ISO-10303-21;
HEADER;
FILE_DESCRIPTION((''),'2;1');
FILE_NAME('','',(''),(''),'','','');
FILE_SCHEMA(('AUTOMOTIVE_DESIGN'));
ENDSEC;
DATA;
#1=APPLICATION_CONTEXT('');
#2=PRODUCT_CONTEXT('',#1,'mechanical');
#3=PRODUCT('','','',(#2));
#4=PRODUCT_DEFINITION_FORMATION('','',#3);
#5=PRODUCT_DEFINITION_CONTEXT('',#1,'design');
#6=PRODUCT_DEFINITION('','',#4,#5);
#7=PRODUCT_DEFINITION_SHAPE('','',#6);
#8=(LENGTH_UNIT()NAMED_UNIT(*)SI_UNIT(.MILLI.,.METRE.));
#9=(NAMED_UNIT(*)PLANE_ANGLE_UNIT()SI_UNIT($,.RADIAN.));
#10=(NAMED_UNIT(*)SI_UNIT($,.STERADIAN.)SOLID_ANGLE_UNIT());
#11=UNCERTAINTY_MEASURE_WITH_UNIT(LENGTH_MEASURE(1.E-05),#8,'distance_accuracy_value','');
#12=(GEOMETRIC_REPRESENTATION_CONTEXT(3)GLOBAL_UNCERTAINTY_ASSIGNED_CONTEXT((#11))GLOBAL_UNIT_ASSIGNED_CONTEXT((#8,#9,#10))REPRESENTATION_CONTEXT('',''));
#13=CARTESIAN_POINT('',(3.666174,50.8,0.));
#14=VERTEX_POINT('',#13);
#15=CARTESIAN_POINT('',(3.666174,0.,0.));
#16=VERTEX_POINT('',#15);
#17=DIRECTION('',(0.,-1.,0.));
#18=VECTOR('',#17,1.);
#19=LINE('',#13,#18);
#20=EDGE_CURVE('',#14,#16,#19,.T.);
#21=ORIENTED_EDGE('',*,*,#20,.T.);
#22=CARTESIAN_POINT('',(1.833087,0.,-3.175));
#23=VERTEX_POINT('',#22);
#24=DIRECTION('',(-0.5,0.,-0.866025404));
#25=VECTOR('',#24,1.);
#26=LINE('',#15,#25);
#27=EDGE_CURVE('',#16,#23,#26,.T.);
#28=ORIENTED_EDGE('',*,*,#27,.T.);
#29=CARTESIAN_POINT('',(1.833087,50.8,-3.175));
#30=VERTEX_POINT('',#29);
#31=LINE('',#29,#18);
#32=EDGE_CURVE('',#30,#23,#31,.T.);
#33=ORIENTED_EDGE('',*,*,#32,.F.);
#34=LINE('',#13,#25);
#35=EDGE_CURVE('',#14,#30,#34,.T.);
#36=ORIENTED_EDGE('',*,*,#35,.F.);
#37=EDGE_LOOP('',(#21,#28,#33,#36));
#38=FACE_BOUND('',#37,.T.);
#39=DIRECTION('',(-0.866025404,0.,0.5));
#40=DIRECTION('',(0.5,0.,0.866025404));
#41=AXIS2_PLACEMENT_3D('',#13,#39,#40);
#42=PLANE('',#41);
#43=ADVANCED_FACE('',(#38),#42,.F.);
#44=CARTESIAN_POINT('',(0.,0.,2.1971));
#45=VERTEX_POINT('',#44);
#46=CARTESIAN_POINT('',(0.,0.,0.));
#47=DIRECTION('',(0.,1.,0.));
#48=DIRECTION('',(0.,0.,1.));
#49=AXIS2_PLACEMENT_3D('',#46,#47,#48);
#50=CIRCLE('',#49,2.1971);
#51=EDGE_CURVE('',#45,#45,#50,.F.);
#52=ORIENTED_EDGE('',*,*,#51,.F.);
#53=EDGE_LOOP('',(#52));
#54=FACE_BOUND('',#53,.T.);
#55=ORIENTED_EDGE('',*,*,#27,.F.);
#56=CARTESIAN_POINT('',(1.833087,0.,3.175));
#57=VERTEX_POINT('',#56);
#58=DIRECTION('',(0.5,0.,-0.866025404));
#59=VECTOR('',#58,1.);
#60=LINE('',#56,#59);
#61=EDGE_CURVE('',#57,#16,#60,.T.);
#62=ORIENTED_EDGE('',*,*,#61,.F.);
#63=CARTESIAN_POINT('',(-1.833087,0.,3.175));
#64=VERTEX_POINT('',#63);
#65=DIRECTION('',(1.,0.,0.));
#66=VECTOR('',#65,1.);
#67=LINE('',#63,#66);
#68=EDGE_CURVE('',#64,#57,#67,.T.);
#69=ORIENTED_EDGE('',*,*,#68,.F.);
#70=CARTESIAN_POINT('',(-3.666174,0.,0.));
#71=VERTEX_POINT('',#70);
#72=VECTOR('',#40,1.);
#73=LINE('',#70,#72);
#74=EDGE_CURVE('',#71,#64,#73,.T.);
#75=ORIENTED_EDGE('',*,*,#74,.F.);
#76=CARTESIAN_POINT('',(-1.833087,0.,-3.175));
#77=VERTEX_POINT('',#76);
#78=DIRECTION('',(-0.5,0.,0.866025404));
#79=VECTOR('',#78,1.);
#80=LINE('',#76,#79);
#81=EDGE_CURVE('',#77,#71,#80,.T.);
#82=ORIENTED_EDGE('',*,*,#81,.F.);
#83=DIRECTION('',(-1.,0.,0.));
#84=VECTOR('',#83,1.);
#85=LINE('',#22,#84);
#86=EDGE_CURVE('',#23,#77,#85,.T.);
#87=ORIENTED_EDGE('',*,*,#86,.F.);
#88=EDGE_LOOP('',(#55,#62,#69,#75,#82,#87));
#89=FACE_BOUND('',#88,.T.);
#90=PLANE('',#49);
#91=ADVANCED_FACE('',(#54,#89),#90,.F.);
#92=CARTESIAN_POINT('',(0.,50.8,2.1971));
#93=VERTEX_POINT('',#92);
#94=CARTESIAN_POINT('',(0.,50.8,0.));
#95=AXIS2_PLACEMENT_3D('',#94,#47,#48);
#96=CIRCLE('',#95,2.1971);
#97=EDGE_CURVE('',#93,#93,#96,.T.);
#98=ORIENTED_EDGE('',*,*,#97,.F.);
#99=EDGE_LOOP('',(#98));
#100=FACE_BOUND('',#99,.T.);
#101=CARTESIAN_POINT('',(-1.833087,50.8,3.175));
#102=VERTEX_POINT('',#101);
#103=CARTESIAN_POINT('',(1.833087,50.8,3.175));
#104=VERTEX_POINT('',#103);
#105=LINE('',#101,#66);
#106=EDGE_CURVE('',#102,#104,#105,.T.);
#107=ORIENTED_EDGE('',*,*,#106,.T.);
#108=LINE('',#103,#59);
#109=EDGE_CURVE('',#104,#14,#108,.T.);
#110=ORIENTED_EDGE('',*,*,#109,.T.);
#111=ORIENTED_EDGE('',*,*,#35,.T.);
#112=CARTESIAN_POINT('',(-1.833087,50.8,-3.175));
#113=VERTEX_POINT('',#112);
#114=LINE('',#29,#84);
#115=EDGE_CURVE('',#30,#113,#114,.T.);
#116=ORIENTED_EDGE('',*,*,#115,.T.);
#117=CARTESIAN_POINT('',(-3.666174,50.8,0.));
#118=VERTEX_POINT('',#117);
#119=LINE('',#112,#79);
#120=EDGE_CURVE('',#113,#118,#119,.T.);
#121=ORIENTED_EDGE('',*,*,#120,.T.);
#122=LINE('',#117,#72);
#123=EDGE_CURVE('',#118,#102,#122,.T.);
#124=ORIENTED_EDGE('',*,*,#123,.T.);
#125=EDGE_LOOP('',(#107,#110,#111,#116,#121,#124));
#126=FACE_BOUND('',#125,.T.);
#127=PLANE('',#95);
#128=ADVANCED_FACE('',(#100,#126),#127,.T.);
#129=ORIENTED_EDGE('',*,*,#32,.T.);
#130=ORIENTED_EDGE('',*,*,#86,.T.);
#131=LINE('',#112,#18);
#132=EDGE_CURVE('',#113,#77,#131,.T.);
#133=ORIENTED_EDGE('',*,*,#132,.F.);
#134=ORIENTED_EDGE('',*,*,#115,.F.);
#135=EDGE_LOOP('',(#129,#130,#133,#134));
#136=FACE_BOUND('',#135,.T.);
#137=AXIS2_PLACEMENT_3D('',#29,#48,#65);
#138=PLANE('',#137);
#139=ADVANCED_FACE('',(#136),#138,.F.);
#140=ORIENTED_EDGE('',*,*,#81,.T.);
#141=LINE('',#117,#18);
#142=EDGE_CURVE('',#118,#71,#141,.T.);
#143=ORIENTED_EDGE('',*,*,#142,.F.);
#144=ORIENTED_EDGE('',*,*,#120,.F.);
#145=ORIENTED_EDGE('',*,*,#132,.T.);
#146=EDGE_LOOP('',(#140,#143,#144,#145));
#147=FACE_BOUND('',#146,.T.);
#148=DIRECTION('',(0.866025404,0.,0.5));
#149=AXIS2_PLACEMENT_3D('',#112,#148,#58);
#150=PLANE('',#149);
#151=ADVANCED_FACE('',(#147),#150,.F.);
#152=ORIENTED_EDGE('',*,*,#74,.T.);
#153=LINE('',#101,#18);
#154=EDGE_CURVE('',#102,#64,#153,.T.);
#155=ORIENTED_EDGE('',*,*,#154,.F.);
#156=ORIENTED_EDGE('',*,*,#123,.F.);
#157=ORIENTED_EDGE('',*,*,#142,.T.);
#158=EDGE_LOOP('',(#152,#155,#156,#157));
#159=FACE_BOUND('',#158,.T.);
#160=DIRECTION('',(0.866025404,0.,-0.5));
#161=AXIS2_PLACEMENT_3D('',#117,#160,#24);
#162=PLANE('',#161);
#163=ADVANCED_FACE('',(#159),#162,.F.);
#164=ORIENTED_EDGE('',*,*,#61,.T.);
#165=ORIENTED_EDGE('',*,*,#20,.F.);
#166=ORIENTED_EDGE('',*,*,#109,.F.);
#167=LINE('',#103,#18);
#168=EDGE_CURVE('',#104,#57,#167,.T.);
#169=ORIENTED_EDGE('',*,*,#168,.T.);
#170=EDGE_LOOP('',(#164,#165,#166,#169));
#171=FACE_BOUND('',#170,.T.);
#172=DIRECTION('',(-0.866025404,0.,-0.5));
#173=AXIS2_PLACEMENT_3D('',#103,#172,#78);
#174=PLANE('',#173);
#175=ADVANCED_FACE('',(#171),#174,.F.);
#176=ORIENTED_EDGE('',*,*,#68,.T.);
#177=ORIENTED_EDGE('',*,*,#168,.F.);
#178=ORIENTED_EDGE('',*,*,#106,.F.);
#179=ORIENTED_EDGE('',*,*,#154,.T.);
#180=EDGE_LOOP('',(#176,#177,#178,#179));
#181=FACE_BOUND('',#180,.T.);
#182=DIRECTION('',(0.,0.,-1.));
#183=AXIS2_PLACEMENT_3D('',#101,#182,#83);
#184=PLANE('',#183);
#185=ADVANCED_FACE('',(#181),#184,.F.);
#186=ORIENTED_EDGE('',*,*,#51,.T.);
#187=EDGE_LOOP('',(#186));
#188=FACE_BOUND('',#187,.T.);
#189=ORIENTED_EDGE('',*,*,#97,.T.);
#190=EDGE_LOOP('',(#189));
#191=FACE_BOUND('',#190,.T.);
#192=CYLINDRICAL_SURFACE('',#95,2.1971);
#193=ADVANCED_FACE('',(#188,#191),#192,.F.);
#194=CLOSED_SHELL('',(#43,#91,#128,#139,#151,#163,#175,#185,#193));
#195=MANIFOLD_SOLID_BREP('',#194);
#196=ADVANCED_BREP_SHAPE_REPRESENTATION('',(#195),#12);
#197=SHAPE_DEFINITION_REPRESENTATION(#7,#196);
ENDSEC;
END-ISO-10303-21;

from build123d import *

# Parameters (mm, degrees)
BOSS_EXTRUDE1_DEPTH         = 50.8
TAP_DRILL_FOR_8_HELICOIL1_D = 4.3942


with BuildPart() as part:
    # Sketch1 → Boss-Extrude1 (new body)
    with BuildSketch(Plane(origin=(0, 0, 0), x_dir=(1, 0, 0), z_dir=(0, 1, 0))):
        Polygon((1.833087105, 3.175), (-1.833087105, 3.175), (-3.666174209, 0), (-1.833087105, -3.175), (1.833087105, -3.175), (3.666174209, 0), align=None)
    extrude(amount=BOSS_EXTRUDE1_DEPTH)

    # Tap Drill for #8 Helicoil1 (through all)
    with Locations(Plane(origin=(0, 50.8, 0), x_dir=(1, 0, 0), z_dir=(0, 1, 0))):
        with Locations((0, 0)):
            Hole(TAP_DRILL_FOR_8_HELICOIL1_D / 2)


solid = part.part
